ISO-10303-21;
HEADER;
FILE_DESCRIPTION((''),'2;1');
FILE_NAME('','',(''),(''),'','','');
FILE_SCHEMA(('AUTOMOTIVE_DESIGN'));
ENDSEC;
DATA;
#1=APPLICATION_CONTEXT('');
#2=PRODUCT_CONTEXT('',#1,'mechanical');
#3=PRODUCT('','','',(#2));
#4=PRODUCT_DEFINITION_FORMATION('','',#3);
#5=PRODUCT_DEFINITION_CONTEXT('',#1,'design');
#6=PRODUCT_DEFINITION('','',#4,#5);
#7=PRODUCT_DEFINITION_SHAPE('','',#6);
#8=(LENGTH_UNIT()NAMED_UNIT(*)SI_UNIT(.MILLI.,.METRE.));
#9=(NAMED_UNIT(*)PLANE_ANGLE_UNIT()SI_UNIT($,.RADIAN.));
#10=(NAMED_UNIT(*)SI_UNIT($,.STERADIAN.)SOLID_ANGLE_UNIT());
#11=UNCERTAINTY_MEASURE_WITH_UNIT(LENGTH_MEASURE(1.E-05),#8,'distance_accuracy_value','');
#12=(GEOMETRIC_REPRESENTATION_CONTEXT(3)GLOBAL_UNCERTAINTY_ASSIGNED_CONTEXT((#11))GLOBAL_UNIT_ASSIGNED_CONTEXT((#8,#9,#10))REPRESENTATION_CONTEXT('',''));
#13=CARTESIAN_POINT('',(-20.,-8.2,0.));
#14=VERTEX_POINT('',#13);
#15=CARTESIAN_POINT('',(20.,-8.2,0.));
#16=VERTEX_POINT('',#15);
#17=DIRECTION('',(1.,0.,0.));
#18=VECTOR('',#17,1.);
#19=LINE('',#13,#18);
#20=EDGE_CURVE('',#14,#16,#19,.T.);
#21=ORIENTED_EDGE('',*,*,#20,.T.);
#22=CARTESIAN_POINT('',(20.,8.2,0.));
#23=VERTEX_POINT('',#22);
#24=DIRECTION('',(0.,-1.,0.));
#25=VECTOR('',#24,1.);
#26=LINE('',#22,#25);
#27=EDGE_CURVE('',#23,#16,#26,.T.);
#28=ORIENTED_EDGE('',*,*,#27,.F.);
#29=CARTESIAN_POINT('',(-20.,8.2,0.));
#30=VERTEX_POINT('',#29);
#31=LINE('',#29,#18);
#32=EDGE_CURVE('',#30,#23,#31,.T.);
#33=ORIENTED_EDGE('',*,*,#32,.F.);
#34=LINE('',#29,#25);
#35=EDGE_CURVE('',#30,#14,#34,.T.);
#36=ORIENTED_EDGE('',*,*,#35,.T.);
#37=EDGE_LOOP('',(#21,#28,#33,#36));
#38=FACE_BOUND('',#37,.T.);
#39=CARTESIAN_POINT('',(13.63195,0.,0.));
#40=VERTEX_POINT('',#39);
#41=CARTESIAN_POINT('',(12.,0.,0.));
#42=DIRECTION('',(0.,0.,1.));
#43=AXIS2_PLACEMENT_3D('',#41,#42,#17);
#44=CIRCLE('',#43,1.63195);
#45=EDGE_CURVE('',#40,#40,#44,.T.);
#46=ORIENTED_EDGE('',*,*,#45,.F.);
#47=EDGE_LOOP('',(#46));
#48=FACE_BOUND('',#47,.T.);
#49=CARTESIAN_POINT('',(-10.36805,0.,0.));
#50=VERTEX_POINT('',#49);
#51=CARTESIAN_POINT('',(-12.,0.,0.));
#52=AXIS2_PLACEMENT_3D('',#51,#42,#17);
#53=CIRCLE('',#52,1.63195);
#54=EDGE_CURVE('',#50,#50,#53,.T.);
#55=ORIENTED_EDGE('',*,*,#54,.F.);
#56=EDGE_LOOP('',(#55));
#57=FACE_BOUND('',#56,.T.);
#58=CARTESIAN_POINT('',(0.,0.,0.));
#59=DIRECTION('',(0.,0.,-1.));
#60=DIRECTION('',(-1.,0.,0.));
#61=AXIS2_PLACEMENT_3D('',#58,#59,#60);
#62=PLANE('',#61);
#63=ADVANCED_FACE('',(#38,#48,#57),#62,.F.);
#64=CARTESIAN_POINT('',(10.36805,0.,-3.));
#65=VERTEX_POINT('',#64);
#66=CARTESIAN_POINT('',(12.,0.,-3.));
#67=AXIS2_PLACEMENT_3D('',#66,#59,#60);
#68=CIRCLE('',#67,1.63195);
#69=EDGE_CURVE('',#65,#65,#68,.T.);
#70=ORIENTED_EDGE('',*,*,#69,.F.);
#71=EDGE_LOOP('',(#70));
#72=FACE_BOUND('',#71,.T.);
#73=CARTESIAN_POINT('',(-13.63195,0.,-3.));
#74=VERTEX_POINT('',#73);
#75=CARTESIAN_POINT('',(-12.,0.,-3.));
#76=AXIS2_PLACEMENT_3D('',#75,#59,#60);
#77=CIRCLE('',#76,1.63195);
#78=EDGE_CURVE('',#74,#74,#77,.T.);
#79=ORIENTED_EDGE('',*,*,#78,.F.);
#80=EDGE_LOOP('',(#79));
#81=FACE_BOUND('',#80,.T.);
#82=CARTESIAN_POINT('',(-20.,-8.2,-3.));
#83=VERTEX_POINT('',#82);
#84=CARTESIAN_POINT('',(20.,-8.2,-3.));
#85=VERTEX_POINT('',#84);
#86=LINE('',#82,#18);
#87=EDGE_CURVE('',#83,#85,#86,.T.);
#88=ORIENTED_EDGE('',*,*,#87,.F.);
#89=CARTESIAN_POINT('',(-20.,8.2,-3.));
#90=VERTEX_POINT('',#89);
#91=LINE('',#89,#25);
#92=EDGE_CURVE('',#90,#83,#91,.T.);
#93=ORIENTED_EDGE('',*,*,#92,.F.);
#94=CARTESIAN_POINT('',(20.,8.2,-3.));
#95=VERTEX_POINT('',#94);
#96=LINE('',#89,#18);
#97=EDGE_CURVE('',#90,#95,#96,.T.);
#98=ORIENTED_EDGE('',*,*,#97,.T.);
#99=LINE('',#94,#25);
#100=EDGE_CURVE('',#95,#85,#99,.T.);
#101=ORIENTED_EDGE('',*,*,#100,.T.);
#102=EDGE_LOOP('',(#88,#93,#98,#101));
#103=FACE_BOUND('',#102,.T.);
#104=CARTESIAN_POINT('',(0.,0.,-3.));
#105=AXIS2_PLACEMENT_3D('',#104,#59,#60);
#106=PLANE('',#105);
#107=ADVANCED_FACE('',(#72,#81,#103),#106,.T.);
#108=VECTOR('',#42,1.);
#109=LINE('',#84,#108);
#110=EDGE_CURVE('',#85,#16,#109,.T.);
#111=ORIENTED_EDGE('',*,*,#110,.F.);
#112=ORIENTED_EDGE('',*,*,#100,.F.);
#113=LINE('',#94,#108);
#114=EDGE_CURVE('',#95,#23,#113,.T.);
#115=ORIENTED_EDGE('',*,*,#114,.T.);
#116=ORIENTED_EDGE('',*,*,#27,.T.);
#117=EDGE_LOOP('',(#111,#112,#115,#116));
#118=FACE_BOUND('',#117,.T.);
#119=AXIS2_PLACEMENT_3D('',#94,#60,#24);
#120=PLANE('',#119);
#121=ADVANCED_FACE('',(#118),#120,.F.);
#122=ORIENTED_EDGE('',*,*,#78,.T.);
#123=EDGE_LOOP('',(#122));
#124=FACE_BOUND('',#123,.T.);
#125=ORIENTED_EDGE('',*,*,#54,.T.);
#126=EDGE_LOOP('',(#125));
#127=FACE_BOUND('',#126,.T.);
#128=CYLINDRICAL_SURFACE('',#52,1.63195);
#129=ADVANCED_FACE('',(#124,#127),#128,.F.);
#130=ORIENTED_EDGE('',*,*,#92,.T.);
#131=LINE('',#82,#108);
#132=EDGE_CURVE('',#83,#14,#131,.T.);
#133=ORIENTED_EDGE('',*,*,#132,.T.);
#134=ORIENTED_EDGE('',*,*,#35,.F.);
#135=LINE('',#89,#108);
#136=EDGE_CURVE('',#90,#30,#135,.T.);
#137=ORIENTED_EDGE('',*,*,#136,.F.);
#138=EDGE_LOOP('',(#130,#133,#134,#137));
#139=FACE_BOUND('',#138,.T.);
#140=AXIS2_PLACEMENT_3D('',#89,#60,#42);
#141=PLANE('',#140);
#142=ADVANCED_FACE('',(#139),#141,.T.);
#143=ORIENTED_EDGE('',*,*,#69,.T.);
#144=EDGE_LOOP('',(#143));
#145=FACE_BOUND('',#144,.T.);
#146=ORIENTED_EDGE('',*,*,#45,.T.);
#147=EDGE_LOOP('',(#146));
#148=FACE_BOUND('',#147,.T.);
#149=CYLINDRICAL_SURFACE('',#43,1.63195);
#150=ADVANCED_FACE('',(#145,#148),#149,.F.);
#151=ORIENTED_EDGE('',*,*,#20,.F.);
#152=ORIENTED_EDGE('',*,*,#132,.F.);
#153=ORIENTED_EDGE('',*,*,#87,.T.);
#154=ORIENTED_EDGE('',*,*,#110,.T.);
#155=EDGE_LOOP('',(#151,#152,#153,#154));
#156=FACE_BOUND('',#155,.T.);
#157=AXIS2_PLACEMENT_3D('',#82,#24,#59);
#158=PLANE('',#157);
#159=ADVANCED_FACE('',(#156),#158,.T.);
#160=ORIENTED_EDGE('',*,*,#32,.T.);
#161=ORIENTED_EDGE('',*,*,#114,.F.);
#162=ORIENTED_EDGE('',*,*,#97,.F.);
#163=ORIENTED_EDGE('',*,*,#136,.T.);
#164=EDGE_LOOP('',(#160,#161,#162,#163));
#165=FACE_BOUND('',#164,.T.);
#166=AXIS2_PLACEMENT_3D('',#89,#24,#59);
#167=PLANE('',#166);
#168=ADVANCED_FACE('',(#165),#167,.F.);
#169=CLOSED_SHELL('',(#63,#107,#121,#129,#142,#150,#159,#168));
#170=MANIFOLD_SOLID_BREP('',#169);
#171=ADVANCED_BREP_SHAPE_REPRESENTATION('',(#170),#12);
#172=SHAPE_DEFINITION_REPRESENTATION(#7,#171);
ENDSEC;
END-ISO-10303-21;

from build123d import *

# Parameters (mm, degrees)
SKETCH1_W                 = 40
SKETCH1_H                 = 16.4
BOSS_EXTRUDE1_DEPTH       = 3
F_4_CLEARANCE_HOLE1_D     = 3.2639
F_4_CLEARANCE_HOLE1_DEPTH = 10
F_4_CLEARANCE_HOLE1_TIP   = 0.980574487


with BuildPart() as part:
    # Sketch1 → Boss-Extrude1 (new body)
    with BuildSketch(Plane.XY):
        Rectangle(SKETCH1_W, SKETCH1_H)
    extrude(amount=-BOSS_EXTRUDE1_DEPTH)

    # #4 Clearance Hole1
    with Locations(Plane.XY):
        with Locations((-12, 0), (12, 0)):
            Hole(F_4_CLEARANCE_HOLE1_D / 2, depth=F_4_CLEARANCE_HOLE1_DEPTH)
            with Locations((0, 0, -(F_4_CLEARANCE_HOLE1_DEPTH + F_4_CLEARANCE_HOLE1_TIP / 2))):  # 118° drill point
                Cone(0, F_4_CLEARANCE_HOLE1_D / 2, F_4_CLEARANCE_HOLE1_TIP, mode=Mode.SUBTRACT)


solid = part.part
